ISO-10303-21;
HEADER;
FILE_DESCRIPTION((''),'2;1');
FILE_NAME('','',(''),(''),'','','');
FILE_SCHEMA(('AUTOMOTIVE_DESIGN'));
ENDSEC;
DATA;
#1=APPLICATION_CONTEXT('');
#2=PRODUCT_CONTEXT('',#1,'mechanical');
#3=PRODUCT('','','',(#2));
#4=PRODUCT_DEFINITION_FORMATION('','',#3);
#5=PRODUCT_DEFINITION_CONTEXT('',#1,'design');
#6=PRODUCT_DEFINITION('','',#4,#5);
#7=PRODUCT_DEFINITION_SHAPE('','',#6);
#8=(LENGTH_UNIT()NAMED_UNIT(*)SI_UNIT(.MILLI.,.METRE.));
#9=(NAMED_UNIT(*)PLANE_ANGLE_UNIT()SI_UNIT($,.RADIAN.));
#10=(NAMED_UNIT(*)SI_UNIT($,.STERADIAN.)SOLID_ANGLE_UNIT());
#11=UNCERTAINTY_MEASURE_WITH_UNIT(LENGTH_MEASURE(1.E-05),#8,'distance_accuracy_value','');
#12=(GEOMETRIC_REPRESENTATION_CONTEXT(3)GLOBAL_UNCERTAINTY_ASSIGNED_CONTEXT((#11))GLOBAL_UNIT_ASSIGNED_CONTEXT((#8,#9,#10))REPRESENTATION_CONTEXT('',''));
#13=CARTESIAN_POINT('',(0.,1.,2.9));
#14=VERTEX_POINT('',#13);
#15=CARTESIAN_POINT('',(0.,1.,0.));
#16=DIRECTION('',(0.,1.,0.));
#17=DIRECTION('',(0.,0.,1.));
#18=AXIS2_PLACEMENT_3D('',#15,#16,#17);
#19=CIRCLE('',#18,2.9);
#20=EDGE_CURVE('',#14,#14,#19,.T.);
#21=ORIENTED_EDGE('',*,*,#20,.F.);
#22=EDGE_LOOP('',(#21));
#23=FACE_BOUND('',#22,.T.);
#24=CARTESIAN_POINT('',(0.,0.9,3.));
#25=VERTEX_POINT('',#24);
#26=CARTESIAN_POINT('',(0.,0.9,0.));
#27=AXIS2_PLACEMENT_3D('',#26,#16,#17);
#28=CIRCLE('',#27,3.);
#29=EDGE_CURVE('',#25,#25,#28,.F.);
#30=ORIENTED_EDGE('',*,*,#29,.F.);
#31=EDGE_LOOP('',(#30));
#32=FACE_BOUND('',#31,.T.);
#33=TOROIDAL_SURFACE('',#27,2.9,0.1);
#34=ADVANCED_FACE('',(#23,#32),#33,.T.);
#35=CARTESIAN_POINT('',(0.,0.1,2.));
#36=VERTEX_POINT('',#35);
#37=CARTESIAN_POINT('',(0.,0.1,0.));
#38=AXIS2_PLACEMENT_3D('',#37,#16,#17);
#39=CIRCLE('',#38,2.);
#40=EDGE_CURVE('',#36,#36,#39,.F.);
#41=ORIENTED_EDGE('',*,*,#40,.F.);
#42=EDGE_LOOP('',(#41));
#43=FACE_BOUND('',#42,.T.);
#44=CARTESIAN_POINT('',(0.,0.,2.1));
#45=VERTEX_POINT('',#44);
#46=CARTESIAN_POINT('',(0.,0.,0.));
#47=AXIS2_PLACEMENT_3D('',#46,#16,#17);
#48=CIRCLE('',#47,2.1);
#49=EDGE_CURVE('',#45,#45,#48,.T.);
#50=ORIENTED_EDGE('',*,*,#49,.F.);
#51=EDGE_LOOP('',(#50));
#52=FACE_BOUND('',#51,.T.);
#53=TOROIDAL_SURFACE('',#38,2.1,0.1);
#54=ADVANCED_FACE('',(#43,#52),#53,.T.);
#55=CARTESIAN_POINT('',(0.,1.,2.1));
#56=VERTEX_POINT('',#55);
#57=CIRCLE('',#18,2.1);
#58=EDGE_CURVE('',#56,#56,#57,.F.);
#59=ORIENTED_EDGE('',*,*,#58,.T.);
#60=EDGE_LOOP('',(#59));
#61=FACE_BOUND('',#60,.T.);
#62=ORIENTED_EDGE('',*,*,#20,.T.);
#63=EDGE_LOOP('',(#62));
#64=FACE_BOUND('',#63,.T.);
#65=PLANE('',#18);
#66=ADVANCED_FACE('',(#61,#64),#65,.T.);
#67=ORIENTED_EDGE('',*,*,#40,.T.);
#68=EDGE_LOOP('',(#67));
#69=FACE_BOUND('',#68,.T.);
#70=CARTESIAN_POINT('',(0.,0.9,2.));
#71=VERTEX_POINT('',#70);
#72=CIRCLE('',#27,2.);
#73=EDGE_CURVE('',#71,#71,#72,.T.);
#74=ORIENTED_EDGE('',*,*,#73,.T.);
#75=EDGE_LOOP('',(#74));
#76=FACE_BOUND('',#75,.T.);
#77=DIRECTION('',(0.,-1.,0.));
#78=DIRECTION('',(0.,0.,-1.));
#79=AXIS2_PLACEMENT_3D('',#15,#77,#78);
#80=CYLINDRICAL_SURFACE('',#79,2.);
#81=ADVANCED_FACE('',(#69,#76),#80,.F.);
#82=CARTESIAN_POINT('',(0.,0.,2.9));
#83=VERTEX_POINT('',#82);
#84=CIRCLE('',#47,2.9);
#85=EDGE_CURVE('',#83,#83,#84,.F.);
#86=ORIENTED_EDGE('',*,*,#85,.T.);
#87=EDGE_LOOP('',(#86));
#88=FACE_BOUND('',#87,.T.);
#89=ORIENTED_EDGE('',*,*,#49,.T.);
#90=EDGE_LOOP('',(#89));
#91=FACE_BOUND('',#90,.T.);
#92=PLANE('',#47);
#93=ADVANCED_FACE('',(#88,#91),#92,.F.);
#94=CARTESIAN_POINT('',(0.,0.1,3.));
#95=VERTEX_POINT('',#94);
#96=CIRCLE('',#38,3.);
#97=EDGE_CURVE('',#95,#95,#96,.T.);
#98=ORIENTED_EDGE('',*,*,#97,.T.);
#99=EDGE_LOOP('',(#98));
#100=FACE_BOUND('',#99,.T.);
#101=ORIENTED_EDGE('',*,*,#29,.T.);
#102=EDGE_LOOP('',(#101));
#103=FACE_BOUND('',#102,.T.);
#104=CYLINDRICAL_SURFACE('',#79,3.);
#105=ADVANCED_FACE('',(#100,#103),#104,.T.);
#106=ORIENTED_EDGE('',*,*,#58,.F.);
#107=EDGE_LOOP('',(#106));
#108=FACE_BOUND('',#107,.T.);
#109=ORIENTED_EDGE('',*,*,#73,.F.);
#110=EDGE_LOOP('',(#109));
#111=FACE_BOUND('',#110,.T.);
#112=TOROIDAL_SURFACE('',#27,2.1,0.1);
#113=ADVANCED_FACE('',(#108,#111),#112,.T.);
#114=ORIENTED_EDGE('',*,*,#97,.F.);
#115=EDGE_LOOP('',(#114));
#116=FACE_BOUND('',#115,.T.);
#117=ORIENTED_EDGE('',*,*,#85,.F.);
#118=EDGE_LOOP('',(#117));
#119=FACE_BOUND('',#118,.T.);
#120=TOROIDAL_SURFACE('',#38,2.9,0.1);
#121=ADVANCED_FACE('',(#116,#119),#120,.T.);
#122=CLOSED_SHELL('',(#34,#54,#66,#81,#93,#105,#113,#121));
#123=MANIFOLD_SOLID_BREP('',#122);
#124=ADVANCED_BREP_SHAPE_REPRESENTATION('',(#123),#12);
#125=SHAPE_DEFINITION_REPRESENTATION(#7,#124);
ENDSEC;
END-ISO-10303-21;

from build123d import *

# Parameters (mm, degrees)
SKETCH1_R           = 3
SKETCH1_R_2         = 2
BOSS_EXTRUDE1_DEPTH = 1
FILLET1_R           = 0.1


with BuildPart() as part:
    # Sketch1 → Boss-Extrude1 (new body)
    with BuildSketch(Plane(origin=(0, 0, 0), x_dir=(1, 0, 0), z_dir=(0, 1, 0))):
        with Locations(Location((0, 0, 0), (0, 0, 270))):
            Circle(SKETCH1_R)
        with Locations(Location((0, 0, 0), (0, 0, 270))):
            Circle(SKETCH1_R_2, mode=Mode.SUBTRACT)
    extrude(amount=BOSS_EXTRUDE1_DEPTH)

    # Fillet1
    fillet1_edges = [part.edges().sort_by_distance(p)[0] for p in [
        (0, 0, -3),
        (0, 1, -3),
        (0, 0, -2),
        (0, 1, -2),
    ]]
    fillet(fillet1_edges, radius=FILLET1_R)


solid = part.part
